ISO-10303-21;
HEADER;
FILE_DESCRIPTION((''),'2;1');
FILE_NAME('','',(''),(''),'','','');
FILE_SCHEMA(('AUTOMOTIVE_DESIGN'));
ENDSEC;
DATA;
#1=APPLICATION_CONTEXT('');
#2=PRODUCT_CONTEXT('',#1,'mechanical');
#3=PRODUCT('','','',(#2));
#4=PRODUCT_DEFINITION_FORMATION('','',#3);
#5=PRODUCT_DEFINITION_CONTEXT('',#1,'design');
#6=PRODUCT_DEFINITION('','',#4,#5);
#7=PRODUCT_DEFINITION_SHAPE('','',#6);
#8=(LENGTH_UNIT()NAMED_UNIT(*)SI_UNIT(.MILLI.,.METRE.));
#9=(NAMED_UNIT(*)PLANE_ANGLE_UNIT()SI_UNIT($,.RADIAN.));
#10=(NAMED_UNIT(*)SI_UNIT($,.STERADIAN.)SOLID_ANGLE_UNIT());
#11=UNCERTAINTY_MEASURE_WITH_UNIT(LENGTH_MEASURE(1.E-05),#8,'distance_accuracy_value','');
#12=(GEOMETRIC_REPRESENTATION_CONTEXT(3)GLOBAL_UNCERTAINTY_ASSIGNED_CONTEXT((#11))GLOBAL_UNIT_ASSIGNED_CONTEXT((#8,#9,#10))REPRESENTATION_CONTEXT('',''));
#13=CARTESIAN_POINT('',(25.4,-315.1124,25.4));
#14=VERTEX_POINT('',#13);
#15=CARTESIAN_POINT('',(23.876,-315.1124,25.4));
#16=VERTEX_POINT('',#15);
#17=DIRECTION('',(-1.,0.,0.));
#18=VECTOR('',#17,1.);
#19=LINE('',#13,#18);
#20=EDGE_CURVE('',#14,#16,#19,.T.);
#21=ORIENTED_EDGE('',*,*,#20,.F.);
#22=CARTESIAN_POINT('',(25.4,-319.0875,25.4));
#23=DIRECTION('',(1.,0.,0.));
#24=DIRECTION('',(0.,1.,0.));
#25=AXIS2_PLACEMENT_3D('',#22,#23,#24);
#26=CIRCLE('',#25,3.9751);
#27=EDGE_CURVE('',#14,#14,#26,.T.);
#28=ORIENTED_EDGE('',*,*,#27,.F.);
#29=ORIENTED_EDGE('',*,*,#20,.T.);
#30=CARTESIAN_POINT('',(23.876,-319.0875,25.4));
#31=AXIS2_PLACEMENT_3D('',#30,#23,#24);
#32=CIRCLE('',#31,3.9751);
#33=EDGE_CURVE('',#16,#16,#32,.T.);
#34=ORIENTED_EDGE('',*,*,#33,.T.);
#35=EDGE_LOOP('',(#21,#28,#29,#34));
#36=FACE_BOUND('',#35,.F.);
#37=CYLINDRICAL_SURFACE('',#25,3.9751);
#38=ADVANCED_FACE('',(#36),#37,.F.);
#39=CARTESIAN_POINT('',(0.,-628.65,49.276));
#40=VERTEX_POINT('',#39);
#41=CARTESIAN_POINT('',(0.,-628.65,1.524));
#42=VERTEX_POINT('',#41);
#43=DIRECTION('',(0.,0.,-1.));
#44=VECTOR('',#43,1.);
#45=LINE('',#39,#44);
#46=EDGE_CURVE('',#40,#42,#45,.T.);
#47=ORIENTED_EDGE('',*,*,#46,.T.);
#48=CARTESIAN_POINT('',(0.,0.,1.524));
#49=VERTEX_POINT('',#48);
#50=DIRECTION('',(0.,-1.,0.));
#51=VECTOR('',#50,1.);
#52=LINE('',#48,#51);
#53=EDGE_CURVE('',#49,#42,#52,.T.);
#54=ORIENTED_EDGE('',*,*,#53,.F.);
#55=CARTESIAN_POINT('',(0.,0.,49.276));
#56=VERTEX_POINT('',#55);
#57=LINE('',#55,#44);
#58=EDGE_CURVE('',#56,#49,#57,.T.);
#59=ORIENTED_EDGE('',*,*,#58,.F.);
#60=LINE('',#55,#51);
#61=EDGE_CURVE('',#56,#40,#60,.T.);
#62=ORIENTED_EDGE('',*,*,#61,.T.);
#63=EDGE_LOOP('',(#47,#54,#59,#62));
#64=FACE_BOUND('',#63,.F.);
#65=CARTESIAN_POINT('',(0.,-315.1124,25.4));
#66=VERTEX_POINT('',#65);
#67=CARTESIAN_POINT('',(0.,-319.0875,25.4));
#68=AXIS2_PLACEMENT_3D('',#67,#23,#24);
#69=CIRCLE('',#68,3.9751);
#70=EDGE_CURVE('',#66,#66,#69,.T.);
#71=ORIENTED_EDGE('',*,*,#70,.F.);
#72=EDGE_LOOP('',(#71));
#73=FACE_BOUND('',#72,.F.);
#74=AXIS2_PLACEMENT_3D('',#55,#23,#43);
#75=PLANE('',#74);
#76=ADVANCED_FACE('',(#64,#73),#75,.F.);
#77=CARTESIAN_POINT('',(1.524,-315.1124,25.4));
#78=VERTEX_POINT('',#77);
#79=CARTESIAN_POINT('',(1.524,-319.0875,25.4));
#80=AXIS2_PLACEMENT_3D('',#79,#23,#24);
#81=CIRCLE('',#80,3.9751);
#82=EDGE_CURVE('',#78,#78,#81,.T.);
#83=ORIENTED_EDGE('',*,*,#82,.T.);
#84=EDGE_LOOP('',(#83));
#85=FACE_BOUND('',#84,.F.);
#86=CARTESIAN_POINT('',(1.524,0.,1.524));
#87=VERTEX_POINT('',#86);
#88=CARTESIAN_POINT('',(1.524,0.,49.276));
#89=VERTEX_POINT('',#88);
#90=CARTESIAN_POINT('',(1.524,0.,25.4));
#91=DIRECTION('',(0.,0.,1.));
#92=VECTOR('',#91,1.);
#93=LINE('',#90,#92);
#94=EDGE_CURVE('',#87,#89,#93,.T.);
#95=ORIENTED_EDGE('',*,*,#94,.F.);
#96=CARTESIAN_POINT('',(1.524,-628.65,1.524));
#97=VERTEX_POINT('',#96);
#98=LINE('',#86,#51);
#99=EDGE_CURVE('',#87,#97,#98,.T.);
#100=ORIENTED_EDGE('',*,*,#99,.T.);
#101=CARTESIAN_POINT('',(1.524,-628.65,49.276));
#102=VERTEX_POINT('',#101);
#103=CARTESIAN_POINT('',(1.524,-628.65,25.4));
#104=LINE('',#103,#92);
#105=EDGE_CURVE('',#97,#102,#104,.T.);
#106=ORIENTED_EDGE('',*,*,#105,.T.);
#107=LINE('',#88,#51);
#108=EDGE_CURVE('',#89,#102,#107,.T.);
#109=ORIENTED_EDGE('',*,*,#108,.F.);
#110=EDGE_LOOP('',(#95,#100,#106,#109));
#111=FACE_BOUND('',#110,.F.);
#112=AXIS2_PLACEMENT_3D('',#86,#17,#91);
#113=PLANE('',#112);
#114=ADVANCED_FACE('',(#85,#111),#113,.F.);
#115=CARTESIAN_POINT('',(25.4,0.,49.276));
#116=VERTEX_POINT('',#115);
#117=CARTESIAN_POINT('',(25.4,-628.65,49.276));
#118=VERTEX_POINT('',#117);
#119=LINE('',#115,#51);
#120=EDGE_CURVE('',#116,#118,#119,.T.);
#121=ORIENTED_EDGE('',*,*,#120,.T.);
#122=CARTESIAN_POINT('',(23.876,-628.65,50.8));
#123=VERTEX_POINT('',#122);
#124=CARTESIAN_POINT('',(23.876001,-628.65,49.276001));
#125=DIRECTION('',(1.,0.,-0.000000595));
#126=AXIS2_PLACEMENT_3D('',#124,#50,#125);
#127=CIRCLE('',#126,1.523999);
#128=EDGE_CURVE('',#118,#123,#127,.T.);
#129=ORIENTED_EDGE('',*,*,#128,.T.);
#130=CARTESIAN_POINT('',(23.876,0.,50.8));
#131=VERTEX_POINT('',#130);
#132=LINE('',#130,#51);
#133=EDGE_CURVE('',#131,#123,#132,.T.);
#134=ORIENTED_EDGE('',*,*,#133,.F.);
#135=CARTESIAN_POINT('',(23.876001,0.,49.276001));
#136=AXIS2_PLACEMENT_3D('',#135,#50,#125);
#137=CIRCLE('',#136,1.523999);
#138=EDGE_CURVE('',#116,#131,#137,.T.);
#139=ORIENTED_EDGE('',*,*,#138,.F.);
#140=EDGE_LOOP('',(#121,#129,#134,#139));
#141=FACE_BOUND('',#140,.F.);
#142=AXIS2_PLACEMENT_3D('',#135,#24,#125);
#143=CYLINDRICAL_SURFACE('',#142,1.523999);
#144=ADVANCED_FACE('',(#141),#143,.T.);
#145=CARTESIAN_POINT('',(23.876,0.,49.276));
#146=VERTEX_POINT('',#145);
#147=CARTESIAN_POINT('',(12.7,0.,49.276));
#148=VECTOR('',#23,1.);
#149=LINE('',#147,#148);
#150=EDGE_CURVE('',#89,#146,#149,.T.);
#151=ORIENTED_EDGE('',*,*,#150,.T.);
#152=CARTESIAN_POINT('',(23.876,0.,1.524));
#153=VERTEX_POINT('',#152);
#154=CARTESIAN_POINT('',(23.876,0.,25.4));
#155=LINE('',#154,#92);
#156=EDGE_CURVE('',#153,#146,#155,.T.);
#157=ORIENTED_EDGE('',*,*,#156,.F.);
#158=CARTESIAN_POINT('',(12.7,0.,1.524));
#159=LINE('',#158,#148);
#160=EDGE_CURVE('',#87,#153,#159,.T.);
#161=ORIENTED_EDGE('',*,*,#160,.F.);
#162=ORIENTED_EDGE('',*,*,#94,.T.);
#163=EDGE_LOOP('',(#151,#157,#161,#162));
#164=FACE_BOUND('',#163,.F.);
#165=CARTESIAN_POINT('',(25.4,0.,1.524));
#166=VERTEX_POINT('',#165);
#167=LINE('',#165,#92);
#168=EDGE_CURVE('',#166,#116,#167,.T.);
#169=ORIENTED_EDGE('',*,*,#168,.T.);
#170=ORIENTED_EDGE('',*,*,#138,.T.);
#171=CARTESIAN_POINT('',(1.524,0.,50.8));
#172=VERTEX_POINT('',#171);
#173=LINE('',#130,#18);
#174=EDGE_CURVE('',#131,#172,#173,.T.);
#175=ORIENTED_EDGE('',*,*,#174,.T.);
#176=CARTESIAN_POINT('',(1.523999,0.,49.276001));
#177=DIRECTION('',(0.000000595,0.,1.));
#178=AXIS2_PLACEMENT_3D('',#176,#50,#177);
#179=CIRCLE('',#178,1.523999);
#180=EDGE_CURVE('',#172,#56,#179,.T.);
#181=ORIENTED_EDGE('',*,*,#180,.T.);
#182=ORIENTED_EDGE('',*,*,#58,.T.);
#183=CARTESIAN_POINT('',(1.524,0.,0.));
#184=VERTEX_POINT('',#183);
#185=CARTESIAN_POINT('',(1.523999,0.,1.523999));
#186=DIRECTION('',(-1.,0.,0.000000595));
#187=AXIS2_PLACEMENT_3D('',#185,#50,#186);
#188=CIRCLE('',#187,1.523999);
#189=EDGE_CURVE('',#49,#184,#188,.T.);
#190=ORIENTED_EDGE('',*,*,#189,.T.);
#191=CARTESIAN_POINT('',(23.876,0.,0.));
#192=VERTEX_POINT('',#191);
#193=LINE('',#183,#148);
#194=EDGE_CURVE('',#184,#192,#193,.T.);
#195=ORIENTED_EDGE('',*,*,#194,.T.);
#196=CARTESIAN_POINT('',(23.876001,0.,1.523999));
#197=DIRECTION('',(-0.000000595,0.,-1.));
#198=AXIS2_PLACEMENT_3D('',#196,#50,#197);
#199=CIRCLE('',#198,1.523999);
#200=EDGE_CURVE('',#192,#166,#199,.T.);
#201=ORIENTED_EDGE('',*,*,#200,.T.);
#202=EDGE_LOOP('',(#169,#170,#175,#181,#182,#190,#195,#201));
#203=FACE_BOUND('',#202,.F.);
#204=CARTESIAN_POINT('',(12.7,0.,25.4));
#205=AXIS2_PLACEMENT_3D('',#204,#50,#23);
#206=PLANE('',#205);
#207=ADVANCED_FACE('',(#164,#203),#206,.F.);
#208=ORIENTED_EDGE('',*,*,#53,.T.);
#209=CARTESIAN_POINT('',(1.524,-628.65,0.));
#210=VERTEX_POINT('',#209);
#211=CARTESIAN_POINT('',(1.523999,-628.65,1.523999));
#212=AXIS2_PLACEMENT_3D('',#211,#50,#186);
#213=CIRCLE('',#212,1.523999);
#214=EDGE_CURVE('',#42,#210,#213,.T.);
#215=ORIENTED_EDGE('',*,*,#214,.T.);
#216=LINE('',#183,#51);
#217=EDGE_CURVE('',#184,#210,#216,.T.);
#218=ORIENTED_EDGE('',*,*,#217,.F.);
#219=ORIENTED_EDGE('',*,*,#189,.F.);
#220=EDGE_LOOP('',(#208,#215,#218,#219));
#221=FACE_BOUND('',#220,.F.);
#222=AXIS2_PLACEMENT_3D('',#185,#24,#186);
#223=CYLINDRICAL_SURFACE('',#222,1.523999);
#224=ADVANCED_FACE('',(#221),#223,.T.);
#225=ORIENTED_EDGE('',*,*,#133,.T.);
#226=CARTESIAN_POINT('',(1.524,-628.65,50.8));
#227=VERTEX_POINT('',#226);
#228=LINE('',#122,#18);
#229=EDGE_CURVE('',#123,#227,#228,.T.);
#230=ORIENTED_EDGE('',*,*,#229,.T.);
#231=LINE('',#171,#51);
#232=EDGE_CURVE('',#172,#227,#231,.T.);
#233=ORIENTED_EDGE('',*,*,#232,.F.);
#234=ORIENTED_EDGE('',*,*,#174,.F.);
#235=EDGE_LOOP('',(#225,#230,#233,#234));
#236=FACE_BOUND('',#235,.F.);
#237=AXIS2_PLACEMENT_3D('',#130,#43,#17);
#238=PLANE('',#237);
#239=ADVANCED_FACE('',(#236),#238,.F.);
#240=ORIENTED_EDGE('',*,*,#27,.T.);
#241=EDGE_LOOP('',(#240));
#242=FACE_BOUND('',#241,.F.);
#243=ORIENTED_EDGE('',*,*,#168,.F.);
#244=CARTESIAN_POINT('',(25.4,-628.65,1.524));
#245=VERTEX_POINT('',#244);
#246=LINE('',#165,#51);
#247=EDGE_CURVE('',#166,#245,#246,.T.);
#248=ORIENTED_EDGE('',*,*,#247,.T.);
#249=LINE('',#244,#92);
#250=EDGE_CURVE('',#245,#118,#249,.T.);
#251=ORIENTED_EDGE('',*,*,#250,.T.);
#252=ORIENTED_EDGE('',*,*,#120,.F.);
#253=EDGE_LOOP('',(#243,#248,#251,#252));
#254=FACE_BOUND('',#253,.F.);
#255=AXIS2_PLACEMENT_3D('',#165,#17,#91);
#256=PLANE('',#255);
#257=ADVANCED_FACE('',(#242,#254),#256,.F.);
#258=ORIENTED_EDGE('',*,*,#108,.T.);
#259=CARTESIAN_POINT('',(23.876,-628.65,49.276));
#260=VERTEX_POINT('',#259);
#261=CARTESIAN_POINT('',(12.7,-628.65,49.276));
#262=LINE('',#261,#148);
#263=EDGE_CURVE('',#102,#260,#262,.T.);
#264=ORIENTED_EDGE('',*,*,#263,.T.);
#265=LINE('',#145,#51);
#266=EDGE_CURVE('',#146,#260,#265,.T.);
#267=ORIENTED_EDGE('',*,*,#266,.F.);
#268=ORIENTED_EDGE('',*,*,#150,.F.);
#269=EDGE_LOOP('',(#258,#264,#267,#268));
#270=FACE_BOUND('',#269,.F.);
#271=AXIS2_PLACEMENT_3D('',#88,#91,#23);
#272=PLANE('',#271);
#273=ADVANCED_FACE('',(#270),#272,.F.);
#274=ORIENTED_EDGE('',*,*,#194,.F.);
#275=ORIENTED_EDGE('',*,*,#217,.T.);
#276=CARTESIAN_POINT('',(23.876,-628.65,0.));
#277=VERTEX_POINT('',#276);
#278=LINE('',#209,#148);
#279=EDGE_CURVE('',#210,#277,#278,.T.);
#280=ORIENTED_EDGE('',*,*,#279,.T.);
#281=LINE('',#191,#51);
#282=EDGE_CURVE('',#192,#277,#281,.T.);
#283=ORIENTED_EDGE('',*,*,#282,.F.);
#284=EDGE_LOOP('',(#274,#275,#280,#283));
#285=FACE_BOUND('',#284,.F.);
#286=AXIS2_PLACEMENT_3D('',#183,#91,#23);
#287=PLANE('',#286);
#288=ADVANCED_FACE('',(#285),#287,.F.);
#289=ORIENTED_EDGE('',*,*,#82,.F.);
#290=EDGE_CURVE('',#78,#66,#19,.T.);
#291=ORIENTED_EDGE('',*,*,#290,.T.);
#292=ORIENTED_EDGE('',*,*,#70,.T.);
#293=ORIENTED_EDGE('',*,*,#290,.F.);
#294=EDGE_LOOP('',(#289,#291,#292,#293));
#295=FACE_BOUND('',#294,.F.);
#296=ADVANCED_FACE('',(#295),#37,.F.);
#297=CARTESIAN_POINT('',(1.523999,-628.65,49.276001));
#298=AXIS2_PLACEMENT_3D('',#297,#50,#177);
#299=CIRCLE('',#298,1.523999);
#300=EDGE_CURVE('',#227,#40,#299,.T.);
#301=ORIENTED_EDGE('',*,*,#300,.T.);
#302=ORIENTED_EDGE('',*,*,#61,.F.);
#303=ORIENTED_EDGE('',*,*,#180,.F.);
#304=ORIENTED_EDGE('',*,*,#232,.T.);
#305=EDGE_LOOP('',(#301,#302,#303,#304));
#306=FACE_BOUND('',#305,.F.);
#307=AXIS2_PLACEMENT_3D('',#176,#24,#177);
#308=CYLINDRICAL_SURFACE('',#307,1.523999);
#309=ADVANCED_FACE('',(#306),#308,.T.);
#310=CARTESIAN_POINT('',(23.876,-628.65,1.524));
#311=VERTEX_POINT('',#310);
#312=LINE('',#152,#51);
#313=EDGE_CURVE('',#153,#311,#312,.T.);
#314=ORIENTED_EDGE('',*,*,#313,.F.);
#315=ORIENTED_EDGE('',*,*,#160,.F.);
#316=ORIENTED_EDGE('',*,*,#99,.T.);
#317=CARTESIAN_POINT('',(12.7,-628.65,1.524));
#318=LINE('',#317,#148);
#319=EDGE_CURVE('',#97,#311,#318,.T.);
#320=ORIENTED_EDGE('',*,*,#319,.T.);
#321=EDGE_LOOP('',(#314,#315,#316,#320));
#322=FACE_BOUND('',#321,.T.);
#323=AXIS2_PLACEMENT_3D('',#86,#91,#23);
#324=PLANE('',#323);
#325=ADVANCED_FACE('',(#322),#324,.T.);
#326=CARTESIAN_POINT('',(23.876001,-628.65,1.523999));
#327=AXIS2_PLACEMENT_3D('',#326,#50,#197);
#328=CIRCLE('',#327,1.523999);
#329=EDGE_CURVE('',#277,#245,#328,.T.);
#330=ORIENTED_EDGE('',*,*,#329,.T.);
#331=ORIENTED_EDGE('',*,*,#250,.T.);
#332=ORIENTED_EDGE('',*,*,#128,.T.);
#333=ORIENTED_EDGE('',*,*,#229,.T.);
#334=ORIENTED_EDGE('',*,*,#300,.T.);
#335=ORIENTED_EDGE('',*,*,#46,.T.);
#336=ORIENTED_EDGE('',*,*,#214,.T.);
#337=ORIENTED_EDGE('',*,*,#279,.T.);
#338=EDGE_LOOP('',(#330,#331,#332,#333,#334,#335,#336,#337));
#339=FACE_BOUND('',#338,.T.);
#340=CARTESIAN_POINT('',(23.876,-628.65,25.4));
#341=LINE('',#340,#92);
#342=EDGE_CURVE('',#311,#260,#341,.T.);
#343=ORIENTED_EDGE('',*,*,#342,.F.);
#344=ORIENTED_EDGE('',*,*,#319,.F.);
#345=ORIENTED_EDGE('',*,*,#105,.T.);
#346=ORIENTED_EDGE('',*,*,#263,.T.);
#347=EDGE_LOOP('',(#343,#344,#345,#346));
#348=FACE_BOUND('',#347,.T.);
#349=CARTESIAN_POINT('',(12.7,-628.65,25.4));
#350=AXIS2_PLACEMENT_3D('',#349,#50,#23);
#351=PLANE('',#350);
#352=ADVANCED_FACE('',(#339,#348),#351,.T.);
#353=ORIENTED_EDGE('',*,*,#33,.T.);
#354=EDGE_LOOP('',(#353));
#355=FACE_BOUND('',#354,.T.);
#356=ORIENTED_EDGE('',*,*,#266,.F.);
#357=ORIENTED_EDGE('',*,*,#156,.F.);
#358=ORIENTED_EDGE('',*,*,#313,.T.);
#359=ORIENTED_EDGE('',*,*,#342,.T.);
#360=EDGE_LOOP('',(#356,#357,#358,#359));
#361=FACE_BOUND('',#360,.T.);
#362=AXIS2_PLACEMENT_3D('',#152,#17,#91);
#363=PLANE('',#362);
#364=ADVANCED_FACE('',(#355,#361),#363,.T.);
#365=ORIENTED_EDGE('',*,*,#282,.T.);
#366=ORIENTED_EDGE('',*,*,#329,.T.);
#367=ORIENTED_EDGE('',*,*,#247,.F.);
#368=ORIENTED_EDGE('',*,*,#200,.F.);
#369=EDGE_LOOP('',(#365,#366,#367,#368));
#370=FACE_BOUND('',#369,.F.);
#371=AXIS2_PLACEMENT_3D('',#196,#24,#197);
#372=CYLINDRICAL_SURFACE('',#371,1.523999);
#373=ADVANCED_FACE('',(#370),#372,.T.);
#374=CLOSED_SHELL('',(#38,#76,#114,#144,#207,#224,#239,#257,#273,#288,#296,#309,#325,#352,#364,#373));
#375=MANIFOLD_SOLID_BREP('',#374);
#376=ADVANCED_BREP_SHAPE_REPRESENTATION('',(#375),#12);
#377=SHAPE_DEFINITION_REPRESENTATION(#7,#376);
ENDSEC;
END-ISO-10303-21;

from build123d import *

# Parameters (mm, degrees)
F0_W     = 22.352
F0_H     = 47.752
F1_DEPTH = 628.65
F2_R     = 3.9751
F3_DEPTH = 25.401


with BuildPart() as f1:
    # F0 (on Front) → F1 (new body)
    with BuildSketch(Plane.XZ):
        with BuildLine():
            ThreePointArc((0, 1.524), (0.446369, 0.446369), (1.524, 0))
            Line((1.524, 0), (23.876, 0))
            ThreePointArc((23.876, 0), (24.953631, 0.446369), (25.4, 1.524))
            Line((25.4, 1.524), (25.4, 49.276))
            ThreePointArc((25.4, 49.276), (24.953631, 50.353631), (23.876, 50.8))
            Line((23.876, 50.8), (1.524, 50.8))
            ThreePointArc((1.524, 50.8), (0.446369, 50.353631), (0, 49.276))
            Line((0, 49.276), (0, 1.524))
        make_face()
        with Locations((12.7, 25.4)):
            Rectangle(F0_W, F0_H, mode=Mode.SUBTRACT)
    extrude(amount=F1_DEPTH)

    # F2 (on face) → F3 (cut, through all)
    with BuildSketch(Plane.YZ.offset(25.4)):
        with Locations((-319.0875, 25.4)):
            Circle(F2_R)
    extrude(amount=-F3_DEPTH, mode=Mode.SUBTRACT)


solid = f1.part
